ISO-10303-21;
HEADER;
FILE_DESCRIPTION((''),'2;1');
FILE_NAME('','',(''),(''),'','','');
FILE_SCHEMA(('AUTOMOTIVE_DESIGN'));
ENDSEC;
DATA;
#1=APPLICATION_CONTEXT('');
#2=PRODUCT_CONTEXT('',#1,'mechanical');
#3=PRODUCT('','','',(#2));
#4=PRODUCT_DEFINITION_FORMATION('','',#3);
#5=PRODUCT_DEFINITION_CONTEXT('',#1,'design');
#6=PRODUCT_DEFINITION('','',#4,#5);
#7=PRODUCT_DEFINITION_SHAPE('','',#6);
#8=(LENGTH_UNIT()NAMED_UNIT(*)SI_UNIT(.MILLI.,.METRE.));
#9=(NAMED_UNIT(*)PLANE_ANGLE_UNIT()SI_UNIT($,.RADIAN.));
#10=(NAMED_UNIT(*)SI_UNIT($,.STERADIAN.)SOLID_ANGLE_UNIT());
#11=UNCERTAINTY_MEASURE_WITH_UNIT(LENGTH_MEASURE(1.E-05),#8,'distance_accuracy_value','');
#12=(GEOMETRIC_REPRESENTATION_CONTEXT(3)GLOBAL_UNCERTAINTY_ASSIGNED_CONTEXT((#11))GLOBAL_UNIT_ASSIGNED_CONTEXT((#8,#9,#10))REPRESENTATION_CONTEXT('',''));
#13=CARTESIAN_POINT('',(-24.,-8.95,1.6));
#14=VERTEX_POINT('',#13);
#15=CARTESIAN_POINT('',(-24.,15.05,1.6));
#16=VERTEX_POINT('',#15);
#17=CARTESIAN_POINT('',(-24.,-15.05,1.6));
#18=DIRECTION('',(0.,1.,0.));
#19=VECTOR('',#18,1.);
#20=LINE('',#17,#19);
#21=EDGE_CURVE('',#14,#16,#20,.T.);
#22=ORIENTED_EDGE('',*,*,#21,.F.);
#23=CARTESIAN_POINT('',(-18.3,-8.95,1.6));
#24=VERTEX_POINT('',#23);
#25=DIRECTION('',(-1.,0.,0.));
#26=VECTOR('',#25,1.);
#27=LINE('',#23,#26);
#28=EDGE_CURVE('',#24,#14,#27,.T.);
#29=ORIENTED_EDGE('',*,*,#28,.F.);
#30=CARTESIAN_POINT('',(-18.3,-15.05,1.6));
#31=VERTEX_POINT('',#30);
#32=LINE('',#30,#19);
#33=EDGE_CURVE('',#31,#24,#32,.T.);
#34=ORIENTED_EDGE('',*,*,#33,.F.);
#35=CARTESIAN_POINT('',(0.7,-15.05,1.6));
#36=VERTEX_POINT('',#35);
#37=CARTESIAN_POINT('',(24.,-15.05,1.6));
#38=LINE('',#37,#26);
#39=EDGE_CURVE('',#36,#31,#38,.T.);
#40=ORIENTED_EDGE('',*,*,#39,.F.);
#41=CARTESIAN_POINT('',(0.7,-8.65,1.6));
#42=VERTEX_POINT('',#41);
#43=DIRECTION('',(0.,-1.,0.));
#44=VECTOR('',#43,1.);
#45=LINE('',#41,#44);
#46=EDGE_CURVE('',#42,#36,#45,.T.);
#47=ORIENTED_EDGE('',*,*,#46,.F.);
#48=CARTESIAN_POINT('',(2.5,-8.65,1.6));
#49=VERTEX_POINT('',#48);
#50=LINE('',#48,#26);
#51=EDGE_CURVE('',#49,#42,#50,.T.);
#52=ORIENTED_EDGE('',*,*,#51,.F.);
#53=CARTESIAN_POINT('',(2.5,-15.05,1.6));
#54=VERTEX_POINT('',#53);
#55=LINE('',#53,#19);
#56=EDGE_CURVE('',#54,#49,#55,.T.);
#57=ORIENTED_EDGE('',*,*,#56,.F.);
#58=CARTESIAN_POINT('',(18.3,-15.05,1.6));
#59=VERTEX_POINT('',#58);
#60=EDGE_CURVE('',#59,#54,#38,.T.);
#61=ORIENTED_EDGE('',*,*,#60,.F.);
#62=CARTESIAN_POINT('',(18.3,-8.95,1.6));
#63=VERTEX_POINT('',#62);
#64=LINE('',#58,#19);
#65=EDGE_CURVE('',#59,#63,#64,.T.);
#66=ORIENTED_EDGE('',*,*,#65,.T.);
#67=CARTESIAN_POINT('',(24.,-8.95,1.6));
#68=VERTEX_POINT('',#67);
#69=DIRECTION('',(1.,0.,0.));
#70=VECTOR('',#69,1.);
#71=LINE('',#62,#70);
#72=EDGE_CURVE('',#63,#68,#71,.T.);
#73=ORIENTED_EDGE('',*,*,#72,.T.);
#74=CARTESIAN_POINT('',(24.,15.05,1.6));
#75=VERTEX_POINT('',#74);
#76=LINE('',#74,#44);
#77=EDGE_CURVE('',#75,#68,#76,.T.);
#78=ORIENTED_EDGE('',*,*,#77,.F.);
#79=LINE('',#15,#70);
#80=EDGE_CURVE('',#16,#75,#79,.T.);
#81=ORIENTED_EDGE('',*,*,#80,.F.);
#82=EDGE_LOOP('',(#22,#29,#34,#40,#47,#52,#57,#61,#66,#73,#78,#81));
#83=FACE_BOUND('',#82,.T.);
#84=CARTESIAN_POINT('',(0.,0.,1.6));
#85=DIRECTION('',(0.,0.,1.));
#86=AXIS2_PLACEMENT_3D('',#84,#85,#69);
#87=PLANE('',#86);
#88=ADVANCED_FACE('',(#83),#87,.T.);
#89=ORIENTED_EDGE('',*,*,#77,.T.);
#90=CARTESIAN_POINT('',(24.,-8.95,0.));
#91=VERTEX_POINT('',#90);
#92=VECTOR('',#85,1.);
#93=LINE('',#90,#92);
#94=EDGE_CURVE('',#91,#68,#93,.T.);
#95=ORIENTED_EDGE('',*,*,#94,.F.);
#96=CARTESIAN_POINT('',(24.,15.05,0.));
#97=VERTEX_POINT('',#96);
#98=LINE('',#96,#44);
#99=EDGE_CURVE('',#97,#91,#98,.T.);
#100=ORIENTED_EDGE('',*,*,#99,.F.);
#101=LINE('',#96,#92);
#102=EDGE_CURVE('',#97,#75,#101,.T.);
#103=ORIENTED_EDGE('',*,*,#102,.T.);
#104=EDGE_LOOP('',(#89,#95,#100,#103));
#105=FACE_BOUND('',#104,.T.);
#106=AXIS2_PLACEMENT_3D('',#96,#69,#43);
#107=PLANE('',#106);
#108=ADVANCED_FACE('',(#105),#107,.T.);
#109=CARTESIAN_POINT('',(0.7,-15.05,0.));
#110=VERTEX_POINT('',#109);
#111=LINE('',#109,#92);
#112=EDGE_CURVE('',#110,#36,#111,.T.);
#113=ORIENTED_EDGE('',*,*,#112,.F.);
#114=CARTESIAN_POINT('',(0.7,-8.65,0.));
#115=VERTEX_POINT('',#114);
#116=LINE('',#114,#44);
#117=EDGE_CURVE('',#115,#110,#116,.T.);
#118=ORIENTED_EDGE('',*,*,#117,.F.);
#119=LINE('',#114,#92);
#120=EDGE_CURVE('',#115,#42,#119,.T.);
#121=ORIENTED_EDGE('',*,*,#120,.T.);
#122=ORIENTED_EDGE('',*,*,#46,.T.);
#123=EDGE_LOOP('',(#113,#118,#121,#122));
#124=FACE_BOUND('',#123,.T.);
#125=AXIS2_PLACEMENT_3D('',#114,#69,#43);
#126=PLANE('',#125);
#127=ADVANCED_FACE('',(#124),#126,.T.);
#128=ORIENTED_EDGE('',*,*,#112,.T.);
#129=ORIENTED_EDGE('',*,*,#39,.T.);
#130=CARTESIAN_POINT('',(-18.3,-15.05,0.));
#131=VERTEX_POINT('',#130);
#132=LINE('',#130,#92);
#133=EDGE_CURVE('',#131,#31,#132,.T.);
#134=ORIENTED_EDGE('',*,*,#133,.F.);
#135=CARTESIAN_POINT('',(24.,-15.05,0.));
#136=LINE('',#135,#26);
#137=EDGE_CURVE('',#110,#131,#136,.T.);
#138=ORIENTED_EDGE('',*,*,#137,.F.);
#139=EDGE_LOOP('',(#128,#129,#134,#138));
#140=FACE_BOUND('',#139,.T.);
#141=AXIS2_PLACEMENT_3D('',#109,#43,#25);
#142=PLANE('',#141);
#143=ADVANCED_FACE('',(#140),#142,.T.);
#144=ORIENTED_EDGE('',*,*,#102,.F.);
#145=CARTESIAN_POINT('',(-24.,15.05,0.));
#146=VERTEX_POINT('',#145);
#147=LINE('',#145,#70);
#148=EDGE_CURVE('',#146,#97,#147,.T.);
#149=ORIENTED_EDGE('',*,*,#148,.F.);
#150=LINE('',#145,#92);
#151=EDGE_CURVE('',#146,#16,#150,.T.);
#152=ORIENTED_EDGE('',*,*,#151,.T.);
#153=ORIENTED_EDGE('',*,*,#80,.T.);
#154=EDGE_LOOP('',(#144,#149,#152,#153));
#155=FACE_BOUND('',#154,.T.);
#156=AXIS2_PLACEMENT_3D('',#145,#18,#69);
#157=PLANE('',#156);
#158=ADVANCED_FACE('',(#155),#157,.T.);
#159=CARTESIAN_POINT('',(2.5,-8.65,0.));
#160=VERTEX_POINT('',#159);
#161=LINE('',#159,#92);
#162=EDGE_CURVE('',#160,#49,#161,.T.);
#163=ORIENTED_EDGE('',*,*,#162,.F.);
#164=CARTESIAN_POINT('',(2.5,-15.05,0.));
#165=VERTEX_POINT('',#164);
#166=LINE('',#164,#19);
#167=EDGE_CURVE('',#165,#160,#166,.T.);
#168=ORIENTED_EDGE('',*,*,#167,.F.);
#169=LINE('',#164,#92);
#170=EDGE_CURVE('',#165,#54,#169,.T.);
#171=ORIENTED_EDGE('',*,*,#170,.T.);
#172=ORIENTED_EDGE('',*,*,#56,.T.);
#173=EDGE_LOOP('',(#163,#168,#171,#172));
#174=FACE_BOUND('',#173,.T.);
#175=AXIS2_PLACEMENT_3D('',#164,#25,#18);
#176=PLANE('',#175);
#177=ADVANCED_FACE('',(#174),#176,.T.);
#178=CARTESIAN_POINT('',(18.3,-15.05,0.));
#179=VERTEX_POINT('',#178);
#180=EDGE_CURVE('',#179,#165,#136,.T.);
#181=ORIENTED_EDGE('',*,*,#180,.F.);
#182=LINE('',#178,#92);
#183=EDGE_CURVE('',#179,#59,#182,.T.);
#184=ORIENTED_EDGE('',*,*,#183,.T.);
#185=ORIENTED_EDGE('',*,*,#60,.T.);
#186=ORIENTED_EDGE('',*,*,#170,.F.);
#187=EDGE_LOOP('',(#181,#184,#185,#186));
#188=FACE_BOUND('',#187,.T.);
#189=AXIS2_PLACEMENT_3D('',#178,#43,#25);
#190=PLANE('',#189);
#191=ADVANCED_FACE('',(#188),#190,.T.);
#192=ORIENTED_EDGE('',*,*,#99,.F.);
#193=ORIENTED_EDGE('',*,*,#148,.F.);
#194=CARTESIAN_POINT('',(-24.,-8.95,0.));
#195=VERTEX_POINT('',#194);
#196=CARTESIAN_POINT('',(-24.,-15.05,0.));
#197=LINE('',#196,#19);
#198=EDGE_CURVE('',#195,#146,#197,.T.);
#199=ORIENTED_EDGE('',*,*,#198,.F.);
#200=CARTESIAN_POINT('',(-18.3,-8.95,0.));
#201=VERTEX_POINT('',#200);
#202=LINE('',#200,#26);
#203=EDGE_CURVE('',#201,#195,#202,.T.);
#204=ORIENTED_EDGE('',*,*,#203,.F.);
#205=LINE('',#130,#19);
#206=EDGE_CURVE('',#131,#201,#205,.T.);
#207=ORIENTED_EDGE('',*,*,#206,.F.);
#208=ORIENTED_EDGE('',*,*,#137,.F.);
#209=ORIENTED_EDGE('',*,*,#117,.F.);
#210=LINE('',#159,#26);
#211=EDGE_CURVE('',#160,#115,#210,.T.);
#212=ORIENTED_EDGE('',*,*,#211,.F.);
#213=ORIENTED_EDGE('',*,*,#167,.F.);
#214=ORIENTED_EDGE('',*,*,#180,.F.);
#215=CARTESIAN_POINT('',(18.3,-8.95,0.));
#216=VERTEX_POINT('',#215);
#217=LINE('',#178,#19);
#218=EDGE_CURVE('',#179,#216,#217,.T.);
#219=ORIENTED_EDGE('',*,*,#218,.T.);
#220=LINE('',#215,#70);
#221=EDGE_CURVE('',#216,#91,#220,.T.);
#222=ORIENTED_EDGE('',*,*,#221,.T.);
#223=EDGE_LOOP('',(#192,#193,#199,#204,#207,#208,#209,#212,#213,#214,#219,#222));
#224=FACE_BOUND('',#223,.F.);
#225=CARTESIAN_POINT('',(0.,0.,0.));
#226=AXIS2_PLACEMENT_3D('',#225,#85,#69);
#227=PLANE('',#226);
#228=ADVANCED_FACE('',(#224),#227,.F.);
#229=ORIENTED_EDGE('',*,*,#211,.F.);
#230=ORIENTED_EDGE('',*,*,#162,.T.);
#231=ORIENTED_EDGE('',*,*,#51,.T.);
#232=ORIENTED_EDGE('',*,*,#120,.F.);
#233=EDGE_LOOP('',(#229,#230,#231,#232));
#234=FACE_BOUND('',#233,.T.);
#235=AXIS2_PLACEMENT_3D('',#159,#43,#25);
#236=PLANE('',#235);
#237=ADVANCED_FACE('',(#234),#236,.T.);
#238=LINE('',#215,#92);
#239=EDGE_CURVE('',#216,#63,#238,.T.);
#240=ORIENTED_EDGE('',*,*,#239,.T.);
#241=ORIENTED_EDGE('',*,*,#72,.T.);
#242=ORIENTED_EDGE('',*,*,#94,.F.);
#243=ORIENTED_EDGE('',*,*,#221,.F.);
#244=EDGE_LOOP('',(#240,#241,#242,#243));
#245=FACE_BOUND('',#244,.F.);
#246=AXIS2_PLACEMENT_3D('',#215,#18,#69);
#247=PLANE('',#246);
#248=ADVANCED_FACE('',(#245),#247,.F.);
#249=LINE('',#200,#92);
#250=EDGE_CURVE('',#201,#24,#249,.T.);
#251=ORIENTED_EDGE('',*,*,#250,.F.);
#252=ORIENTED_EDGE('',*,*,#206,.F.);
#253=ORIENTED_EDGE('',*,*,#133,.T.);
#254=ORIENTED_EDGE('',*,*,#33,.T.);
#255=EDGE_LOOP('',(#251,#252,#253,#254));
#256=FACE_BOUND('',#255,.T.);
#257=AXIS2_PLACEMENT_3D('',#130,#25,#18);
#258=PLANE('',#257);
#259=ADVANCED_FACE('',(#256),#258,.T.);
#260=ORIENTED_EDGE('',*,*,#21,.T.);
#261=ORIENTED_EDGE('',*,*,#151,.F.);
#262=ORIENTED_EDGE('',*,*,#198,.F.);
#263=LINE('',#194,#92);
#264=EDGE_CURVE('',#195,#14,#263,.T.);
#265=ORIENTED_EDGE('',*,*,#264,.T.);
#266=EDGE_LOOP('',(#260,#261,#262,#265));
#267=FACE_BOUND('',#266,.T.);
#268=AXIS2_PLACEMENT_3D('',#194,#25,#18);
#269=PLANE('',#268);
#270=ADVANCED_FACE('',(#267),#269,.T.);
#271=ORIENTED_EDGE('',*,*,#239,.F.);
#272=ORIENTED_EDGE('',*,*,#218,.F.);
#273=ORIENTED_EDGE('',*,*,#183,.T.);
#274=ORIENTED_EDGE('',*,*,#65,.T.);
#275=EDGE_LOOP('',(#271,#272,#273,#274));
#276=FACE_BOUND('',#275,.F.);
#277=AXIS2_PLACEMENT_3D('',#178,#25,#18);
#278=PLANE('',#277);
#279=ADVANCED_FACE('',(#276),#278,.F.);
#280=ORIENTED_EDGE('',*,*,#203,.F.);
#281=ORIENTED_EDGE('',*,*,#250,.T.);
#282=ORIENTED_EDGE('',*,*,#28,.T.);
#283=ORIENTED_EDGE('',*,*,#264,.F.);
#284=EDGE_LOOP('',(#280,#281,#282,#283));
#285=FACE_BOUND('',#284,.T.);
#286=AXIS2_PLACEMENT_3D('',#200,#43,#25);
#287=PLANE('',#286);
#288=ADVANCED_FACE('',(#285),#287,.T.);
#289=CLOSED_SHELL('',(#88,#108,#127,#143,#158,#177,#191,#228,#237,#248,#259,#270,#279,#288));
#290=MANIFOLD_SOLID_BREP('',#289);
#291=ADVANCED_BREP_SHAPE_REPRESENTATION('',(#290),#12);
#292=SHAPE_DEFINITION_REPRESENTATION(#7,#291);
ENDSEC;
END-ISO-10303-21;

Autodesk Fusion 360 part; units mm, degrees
sketch "Sketch1" plane through (0, 0, 0) normal (0, 0, 1) x (1, 0, 0)
  line L0 (24, -15.05) -> (-24, -15.05)
  line L1 (-24, -15.05) -> (-24, 15.05)
  line L2 (-24, 15.05) -> (24, 15.05)
  line L3 (24, 15.05) -> (24, -15.05)
  line L4 (24, -15.05) -> (-24, 15.05) construction
  line L5 (-24, -15.05) -> (24, 15.05) construction
  line L6 (24, -15.05) -> (18.3, -15.05)
  line L7 (18.3, -15.05) -> (18.3, -8.95)
  line L8 (18.3, -8.95) -> (24, -8.95)
  line L9 (-24, -15.05) -> (-18.3, -15.05)
  line L10 (-18.3, -15.05) -> (-18.3, -8.95)
  line L11 (-18.3, -8.95) -> (-24, -8.95)
  line L12 (-18.3, -15.05) -> (0.7, -15.05)
  line L13 (18.3, -15.05) -> (2.5, -15.05)
  line L14 (2.5, -15.05) -> (2.5, -8.65)
  line L15 (2.5, -8.65) -> (0.7, -8.65)
  line L16 (0.7, -8.65) -> (0.7, -15.05)
  dimension "d1" = 48
  dimension "d2" = 30.1
  dimension "d3" = 5.7
  dimension "d4" = 6.1
  dimension "d5" = 5.7
  dimension "d6" = 6.1
  dimension "d7" = 19
  dimension "d8" = 15.8
  dimension "d9" = 6.4
extrude "Extrude1" add sketch "Sketch1" along normal blind 1.6 contours L0 L1 L2 L3 L7 L8 L10 L11 L12 L13 L14 L15 L16
